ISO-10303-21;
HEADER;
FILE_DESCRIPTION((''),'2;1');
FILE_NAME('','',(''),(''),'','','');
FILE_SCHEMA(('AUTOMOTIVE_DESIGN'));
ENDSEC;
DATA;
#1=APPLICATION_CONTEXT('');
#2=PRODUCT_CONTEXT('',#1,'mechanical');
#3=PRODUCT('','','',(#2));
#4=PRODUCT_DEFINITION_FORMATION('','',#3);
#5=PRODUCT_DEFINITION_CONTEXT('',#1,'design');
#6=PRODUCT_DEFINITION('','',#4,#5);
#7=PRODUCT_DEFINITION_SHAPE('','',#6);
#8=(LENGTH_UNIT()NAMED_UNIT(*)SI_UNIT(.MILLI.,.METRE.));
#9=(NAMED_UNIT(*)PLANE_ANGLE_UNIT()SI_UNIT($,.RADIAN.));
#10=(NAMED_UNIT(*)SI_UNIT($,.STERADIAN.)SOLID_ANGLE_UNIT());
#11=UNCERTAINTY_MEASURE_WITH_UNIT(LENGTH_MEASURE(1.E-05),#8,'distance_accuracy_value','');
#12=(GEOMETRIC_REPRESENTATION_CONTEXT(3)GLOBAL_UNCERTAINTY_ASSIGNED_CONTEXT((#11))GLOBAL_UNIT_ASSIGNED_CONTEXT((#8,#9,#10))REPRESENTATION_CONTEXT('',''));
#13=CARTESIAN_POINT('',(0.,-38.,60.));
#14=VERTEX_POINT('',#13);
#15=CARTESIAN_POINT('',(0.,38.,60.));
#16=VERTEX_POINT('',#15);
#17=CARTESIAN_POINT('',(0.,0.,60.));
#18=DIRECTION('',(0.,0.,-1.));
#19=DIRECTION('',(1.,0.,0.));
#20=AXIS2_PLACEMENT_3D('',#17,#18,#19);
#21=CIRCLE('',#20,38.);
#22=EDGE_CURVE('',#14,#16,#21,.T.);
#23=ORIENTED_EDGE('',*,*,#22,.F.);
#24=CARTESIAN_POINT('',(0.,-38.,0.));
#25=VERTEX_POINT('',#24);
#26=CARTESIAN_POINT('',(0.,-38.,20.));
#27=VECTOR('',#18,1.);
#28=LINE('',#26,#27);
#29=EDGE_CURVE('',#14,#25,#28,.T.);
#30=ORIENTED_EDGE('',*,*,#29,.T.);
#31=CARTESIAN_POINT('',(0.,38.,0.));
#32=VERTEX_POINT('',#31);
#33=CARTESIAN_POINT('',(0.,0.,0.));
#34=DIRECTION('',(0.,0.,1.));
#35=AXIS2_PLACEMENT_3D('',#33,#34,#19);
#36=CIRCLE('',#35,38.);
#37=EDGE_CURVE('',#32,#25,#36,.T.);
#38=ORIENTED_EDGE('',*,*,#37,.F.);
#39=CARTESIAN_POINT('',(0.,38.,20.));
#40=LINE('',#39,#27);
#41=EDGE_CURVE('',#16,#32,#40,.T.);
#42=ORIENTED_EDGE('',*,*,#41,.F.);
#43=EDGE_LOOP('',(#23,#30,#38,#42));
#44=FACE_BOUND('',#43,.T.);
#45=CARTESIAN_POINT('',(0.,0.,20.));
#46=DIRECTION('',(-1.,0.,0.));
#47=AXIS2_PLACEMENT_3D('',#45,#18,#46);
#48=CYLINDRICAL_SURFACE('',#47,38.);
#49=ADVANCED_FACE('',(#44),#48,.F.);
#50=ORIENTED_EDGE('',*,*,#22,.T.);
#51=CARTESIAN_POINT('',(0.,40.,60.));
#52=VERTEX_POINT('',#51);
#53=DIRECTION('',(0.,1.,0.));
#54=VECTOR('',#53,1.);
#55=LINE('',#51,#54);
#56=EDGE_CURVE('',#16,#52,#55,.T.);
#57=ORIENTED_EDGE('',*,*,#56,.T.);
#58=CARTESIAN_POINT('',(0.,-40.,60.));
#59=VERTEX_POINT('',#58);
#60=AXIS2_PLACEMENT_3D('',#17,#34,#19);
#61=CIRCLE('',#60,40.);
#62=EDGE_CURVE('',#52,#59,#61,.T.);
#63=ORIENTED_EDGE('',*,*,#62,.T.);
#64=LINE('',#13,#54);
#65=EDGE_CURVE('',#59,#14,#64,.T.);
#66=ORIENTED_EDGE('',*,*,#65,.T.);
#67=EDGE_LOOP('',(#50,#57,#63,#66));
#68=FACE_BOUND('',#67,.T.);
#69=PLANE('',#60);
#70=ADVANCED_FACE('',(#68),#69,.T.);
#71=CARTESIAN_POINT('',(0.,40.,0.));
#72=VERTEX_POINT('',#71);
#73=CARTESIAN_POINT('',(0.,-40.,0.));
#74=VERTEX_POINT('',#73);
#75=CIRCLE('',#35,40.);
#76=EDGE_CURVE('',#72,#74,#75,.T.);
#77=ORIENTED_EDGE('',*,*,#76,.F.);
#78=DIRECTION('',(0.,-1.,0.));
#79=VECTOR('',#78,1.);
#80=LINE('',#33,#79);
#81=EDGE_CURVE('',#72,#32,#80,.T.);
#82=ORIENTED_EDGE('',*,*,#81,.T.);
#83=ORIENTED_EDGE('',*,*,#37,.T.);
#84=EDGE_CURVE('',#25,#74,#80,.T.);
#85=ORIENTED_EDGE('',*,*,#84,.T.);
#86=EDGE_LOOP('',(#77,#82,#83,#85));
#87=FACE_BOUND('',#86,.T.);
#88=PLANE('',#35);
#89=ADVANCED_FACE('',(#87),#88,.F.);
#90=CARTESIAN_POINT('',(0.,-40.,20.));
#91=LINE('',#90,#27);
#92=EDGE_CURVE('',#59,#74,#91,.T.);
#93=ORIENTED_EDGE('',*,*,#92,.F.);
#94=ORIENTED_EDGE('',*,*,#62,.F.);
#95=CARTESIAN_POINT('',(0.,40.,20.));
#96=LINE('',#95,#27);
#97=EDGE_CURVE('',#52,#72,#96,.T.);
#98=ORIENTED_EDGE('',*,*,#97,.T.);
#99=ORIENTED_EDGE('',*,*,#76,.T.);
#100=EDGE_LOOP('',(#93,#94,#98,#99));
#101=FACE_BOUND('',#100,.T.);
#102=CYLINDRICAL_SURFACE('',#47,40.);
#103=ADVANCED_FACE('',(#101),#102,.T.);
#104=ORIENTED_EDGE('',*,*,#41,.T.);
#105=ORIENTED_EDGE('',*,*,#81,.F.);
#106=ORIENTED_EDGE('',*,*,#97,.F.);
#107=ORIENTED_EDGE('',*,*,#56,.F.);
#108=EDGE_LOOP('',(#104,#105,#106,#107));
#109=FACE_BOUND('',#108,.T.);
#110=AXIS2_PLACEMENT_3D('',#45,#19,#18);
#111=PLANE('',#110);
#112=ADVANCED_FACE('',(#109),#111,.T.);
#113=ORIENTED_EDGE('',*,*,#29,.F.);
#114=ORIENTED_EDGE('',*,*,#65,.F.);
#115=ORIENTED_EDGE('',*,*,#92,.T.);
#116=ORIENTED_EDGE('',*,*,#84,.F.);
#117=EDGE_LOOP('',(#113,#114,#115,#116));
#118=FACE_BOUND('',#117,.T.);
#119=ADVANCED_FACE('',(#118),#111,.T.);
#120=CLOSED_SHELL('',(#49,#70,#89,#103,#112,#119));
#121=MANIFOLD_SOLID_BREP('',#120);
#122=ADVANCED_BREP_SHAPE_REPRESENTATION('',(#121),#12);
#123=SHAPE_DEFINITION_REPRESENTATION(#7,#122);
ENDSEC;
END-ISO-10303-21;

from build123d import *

# Parameters (mm, degrees)
EXTRUDE_1_DEPTH = 20
EXTRUDE_2_DEPTH = 40


with BuildPart() as part:
    # Эскиз1 → Бобышка-Вытянуть1 (new body)
    with BuildSketch(Plane.XY):
        with BuildLine():
            Line((0, 38), (0, 40))
            ThreePointArc((0, 40), (-40, 0), (0, -40))
            Line((0, -40), (0, -38))
            ThreePointArc((0, -38), (-38, 0), (0, 38))
        make_face()
    extrude(amount=EXTRUDE_1_DEPTH)

    # Эскиз2 → Бобышка-Вытянуть2 (add)
    with BuildSketch(Plane.XY.offset(20)):
        with BuildLine():
            Line((0, -38), (0, -40))
            ThreePointArc((0, -40), (-40, 0), (0, 40))
            Line((0, 40), (0, 38))
            ThreePointArc((0, 38), (-38, 0), (0, -38))
        make_face()
    extrude(amount=EXTRUDE_2_DEPTH)


solid = part.part
